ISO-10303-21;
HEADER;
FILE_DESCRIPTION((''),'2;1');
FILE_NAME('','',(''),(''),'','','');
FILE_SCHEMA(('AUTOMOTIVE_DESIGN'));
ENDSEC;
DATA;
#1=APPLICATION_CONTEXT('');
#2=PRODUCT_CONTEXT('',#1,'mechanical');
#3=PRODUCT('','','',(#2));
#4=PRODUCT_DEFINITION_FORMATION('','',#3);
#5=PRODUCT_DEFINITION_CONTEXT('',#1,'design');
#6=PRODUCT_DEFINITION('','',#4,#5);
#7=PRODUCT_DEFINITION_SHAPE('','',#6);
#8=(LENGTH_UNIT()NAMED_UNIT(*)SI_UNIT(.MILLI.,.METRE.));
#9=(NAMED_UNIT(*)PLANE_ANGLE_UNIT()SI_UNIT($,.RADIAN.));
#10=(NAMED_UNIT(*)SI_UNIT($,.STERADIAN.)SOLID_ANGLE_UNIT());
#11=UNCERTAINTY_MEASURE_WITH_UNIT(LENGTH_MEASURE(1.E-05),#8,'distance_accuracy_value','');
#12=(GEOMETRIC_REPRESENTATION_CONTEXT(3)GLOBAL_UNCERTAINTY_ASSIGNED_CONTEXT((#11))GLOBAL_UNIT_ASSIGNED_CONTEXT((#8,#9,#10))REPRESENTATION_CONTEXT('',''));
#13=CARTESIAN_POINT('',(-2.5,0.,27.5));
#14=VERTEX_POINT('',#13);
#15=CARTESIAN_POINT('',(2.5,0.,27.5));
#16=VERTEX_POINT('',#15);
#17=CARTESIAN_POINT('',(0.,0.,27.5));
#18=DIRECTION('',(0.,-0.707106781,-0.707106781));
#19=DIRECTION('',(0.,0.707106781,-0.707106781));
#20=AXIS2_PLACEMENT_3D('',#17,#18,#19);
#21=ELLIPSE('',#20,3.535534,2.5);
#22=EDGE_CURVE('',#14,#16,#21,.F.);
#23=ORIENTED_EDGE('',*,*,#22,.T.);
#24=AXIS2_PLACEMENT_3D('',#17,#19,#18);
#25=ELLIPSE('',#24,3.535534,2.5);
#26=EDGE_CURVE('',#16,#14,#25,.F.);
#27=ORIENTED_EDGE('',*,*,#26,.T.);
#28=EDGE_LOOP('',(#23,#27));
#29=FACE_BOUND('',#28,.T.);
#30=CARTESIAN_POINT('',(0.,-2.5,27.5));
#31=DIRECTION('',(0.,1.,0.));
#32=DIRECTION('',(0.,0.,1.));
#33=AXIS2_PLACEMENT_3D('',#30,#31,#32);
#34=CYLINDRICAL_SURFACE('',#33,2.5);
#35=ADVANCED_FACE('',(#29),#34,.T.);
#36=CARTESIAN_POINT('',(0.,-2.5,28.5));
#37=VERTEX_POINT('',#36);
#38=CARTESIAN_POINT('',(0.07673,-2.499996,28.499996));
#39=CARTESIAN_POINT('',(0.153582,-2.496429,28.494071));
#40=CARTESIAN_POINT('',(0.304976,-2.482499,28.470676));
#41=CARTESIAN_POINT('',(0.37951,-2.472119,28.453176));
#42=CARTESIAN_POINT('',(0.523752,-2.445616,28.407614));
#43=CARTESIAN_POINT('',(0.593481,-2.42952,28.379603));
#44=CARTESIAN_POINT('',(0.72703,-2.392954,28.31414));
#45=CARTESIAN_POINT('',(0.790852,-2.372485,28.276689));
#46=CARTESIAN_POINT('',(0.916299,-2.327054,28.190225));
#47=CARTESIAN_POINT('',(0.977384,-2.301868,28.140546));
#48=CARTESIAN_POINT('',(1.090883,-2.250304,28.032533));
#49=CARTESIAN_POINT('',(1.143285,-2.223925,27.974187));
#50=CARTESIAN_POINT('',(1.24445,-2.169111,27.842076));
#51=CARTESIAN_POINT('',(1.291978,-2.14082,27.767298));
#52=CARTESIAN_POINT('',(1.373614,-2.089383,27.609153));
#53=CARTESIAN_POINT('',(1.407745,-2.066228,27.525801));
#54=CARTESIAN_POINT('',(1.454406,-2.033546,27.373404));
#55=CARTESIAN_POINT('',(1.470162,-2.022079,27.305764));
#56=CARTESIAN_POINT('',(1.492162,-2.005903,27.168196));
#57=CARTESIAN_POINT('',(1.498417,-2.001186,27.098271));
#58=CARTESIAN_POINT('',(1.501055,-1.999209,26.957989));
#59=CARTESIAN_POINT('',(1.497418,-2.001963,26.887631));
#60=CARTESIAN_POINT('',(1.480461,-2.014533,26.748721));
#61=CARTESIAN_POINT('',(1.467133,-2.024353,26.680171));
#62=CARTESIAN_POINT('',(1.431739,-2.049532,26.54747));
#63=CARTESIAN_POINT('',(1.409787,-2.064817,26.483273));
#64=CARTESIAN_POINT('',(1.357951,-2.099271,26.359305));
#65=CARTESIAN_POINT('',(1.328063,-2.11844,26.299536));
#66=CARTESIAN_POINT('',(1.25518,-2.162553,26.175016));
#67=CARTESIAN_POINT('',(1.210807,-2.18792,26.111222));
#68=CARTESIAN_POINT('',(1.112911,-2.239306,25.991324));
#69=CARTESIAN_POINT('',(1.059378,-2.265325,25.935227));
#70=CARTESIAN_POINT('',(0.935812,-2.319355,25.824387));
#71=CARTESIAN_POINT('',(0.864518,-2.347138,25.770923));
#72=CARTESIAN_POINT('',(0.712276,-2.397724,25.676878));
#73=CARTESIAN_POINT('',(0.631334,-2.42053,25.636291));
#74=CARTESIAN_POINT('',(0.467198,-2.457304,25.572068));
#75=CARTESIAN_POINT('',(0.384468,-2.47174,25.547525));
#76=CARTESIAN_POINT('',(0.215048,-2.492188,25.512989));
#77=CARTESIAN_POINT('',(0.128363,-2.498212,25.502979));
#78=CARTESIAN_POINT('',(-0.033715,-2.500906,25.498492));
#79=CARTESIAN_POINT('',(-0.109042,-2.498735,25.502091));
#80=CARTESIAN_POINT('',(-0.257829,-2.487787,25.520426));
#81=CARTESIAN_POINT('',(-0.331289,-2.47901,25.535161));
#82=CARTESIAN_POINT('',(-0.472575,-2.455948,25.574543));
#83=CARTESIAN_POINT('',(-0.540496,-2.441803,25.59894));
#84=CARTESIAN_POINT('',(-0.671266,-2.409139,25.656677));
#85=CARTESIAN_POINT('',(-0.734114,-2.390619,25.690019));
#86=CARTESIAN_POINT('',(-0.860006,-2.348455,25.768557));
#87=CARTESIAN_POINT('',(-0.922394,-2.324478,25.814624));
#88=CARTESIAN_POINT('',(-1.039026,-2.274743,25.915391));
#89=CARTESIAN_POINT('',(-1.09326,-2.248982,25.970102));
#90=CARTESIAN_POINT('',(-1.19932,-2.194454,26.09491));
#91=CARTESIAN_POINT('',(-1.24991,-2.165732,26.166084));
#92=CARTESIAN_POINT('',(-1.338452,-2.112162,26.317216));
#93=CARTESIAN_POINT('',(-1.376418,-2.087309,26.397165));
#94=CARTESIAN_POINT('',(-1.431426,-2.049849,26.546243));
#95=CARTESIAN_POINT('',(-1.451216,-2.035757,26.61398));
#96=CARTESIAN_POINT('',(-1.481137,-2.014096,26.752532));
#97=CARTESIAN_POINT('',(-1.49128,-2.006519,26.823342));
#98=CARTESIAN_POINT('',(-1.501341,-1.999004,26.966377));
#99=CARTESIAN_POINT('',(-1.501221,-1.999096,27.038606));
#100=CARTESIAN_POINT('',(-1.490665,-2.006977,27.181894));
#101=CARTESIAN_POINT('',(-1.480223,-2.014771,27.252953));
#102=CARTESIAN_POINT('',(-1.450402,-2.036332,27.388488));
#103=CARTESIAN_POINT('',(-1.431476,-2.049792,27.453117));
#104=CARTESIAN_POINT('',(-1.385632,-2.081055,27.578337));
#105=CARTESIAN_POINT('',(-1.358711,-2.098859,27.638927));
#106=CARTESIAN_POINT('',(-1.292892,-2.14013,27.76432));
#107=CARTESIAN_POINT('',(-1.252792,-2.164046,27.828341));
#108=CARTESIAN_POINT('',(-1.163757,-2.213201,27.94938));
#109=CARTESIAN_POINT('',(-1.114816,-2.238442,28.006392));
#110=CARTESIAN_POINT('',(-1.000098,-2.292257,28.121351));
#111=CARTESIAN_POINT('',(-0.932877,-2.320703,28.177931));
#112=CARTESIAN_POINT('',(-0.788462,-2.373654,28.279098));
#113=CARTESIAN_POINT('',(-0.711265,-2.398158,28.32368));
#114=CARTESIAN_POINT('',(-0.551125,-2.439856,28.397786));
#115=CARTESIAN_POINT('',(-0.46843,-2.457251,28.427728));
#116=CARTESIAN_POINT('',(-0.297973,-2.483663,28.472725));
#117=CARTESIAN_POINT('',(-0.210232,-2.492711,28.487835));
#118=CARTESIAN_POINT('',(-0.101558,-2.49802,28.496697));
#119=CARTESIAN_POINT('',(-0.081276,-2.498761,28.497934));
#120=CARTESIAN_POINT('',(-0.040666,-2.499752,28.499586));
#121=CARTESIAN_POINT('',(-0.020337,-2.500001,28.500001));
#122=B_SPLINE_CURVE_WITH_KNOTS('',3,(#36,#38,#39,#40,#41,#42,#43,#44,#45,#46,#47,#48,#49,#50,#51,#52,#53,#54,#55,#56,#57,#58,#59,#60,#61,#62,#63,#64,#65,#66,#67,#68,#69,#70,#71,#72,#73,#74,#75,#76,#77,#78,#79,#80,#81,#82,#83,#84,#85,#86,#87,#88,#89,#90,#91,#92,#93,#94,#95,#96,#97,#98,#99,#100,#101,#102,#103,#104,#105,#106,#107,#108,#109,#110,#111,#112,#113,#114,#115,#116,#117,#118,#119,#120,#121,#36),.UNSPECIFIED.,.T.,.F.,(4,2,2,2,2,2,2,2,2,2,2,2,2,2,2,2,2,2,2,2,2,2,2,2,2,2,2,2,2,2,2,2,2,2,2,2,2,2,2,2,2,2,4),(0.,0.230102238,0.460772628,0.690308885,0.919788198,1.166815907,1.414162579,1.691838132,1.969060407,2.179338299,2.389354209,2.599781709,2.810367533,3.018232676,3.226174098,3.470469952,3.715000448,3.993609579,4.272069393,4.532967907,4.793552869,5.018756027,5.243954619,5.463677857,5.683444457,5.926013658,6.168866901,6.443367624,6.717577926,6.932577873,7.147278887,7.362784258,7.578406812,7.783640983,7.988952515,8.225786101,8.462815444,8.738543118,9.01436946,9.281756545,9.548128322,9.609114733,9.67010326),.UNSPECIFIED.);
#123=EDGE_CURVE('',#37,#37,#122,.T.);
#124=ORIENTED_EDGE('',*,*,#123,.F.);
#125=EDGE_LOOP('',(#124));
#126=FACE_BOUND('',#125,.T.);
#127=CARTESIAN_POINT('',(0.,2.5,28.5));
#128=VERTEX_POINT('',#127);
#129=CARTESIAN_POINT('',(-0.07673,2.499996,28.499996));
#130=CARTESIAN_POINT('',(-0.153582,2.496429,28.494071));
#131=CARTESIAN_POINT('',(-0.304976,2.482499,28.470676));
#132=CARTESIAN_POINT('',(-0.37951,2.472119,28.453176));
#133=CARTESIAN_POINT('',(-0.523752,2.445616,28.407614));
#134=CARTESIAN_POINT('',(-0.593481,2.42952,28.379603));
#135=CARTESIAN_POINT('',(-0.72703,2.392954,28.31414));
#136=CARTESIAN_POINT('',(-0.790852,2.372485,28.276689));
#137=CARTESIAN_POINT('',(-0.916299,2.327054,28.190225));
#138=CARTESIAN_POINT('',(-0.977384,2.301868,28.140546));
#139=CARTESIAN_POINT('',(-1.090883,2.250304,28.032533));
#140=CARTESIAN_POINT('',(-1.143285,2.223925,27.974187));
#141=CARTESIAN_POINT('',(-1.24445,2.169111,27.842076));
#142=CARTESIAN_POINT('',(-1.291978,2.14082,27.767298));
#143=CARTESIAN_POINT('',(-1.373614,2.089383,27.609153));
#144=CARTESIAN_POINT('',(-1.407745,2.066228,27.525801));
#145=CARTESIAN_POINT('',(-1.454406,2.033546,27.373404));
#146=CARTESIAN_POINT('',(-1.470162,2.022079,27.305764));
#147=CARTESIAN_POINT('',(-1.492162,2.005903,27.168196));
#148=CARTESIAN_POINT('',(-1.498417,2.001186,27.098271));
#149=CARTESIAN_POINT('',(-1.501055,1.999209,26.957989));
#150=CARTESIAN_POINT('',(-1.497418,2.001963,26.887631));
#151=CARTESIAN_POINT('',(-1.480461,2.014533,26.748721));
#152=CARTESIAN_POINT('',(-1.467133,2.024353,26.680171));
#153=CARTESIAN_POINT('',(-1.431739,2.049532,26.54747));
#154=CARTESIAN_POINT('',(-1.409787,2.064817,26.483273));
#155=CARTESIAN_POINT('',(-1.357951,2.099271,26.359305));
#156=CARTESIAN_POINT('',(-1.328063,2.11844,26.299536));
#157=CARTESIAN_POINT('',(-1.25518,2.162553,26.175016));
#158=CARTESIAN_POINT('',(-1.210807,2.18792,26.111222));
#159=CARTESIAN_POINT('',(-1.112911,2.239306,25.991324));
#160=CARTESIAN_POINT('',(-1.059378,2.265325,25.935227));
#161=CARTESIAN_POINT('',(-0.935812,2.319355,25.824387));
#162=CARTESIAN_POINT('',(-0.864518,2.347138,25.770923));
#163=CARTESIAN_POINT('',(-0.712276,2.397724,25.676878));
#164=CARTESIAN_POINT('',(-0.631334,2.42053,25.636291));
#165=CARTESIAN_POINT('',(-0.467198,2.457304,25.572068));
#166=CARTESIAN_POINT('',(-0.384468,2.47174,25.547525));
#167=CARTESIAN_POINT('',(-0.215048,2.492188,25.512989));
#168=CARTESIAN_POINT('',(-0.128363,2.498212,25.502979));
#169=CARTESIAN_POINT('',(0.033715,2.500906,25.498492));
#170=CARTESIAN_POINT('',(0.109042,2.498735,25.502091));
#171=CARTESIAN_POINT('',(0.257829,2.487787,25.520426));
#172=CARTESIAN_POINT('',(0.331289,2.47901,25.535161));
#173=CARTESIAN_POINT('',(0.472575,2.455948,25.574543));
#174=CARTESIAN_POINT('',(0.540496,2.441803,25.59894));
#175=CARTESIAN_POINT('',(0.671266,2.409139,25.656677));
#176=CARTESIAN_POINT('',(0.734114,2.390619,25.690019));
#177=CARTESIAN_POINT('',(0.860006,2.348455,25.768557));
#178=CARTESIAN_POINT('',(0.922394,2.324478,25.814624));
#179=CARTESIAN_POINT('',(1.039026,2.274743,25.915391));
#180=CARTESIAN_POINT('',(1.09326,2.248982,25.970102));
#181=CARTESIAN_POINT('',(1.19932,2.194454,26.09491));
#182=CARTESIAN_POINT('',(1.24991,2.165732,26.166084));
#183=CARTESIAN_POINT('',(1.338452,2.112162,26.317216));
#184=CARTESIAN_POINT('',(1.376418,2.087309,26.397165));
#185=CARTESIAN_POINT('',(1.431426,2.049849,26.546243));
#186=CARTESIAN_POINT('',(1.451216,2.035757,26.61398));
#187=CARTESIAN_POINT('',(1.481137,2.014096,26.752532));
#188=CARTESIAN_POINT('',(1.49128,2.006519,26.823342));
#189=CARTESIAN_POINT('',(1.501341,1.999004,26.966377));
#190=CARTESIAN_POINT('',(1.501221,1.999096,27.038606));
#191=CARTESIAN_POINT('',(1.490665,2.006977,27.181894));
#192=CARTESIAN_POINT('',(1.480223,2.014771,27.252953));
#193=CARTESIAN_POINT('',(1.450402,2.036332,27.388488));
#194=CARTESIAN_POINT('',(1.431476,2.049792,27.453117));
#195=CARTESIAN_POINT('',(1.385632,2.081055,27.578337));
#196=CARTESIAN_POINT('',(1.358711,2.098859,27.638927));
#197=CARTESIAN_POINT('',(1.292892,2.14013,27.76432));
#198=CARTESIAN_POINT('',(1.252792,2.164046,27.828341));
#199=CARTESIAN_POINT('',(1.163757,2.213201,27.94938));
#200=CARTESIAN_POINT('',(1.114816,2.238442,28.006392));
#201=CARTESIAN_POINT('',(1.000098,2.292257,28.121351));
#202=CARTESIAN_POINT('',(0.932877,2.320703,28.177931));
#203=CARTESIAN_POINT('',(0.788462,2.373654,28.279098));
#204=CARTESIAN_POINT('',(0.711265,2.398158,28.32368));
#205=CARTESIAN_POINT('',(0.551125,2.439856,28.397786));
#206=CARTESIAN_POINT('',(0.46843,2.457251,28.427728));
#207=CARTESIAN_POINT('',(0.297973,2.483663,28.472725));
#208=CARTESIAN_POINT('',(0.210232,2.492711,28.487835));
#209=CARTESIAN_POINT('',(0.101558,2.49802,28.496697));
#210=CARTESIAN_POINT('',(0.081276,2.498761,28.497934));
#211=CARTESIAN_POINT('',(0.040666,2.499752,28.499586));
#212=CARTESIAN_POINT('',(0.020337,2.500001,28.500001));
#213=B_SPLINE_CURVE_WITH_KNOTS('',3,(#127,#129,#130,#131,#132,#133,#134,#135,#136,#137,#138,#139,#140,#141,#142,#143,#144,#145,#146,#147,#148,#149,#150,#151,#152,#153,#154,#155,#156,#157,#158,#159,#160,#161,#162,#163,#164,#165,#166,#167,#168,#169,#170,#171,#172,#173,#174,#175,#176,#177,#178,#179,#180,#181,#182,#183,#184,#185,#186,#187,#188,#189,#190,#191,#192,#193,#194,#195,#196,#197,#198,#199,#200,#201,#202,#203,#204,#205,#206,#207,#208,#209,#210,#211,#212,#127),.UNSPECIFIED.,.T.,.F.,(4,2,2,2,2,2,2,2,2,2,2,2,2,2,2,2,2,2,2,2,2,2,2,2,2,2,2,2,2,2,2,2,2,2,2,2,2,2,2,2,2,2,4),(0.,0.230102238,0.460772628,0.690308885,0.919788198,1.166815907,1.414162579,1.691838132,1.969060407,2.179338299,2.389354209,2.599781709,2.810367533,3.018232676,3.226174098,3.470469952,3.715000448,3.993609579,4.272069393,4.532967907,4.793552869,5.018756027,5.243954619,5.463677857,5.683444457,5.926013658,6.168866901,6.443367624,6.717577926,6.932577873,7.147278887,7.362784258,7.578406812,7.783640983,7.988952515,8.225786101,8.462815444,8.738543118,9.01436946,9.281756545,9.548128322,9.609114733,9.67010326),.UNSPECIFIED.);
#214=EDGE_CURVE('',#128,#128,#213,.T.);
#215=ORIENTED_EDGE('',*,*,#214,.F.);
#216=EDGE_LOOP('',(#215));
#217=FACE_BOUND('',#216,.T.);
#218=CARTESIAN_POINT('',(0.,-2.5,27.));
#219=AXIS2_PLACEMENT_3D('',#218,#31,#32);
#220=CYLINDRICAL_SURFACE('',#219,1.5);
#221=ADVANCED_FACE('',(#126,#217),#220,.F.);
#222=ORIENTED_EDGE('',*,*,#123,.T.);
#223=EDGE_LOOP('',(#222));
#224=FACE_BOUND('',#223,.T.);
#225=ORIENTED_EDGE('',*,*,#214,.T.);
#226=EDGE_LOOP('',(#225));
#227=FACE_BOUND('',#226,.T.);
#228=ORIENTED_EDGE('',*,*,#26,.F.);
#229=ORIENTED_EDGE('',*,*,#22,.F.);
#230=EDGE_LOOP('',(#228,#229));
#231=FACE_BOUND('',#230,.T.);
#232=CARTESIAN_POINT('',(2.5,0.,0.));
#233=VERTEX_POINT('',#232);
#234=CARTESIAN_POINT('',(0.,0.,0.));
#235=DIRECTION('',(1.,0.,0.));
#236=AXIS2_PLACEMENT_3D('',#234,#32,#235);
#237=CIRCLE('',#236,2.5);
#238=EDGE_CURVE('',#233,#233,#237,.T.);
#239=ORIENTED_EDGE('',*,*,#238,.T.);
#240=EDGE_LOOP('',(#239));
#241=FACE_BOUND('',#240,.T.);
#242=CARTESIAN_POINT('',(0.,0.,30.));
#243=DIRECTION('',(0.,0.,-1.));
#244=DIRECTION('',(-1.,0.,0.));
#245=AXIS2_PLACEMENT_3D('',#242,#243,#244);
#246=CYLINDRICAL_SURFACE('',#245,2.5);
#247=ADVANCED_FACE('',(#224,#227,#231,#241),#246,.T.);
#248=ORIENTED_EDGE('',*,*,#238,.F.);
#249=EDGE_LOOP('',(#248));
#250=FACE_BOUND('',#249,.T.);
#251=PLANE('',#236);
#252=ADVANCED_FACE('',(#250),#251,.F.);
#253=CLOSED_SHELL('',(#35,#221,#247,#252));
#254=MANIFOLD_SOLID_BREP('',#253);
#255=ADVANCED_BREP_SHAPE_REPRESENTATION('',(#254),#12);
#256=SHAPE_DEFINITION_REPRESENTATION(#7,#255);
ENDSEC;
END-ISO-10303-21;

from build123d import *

# Parameters (mm, degrees)
SKETCH1_R               = 2.5
BOSS_EXTRUDE1_DEPTH     = 30
CUT_EXTRUDE1_DEPTH      = 31.207614934
CUT_EXTRUDE1_DEPTH_BACK = 31.207614934
SKETCH2_R               = 1.5


with BuildPart() as part:
    # Sketch1 → Boss-Extrude1 (new body)
    with BuildSketch(Plane.XY):
        Circle(SKETCH1_R)
    extrude(amount=BOSS_EXTRUDE1_DEPTH)

    # Sketch2 → Cut-Extrude1 (cut, two sides: drawn at the far end of the back side and taken through both)
    with BuildSketch(Plane(origin=(0, 0, 0), x_dir=(1, 0, 0), z_dir=(0, 1, 0)).offset(-CUT_EXTRUDE1_DEPTH_BACK)):
        with Locations(Location((0, -27, 0), (0, 0, 270))):
            Circle(SKETCH2_R)
        with BuildLine():
            ThreePointArc((0, -30), (-1.767766953, -29.267766953), (-2.5, -27.5))
            Line((-2.5, -27.5), (-2.5, -30))
            Line((-2.5, -30), (0, -30))
        make_face()
        with BuildLine():
            Line((2.5, -30), (2.5, -27.5))
            ThreePointArc((2.5, -27.5), (1.767766953, -29.267766953), (0, -30))
            Line((0, -30), (2.5, -30))
        make_face()
    extrude(amount=CUT_EXTRUDE1_DEPTH + CUT_EXTRUDE1_DEPTH_BACK, mode=Mode.SUBTRACT)


solid = part.part
